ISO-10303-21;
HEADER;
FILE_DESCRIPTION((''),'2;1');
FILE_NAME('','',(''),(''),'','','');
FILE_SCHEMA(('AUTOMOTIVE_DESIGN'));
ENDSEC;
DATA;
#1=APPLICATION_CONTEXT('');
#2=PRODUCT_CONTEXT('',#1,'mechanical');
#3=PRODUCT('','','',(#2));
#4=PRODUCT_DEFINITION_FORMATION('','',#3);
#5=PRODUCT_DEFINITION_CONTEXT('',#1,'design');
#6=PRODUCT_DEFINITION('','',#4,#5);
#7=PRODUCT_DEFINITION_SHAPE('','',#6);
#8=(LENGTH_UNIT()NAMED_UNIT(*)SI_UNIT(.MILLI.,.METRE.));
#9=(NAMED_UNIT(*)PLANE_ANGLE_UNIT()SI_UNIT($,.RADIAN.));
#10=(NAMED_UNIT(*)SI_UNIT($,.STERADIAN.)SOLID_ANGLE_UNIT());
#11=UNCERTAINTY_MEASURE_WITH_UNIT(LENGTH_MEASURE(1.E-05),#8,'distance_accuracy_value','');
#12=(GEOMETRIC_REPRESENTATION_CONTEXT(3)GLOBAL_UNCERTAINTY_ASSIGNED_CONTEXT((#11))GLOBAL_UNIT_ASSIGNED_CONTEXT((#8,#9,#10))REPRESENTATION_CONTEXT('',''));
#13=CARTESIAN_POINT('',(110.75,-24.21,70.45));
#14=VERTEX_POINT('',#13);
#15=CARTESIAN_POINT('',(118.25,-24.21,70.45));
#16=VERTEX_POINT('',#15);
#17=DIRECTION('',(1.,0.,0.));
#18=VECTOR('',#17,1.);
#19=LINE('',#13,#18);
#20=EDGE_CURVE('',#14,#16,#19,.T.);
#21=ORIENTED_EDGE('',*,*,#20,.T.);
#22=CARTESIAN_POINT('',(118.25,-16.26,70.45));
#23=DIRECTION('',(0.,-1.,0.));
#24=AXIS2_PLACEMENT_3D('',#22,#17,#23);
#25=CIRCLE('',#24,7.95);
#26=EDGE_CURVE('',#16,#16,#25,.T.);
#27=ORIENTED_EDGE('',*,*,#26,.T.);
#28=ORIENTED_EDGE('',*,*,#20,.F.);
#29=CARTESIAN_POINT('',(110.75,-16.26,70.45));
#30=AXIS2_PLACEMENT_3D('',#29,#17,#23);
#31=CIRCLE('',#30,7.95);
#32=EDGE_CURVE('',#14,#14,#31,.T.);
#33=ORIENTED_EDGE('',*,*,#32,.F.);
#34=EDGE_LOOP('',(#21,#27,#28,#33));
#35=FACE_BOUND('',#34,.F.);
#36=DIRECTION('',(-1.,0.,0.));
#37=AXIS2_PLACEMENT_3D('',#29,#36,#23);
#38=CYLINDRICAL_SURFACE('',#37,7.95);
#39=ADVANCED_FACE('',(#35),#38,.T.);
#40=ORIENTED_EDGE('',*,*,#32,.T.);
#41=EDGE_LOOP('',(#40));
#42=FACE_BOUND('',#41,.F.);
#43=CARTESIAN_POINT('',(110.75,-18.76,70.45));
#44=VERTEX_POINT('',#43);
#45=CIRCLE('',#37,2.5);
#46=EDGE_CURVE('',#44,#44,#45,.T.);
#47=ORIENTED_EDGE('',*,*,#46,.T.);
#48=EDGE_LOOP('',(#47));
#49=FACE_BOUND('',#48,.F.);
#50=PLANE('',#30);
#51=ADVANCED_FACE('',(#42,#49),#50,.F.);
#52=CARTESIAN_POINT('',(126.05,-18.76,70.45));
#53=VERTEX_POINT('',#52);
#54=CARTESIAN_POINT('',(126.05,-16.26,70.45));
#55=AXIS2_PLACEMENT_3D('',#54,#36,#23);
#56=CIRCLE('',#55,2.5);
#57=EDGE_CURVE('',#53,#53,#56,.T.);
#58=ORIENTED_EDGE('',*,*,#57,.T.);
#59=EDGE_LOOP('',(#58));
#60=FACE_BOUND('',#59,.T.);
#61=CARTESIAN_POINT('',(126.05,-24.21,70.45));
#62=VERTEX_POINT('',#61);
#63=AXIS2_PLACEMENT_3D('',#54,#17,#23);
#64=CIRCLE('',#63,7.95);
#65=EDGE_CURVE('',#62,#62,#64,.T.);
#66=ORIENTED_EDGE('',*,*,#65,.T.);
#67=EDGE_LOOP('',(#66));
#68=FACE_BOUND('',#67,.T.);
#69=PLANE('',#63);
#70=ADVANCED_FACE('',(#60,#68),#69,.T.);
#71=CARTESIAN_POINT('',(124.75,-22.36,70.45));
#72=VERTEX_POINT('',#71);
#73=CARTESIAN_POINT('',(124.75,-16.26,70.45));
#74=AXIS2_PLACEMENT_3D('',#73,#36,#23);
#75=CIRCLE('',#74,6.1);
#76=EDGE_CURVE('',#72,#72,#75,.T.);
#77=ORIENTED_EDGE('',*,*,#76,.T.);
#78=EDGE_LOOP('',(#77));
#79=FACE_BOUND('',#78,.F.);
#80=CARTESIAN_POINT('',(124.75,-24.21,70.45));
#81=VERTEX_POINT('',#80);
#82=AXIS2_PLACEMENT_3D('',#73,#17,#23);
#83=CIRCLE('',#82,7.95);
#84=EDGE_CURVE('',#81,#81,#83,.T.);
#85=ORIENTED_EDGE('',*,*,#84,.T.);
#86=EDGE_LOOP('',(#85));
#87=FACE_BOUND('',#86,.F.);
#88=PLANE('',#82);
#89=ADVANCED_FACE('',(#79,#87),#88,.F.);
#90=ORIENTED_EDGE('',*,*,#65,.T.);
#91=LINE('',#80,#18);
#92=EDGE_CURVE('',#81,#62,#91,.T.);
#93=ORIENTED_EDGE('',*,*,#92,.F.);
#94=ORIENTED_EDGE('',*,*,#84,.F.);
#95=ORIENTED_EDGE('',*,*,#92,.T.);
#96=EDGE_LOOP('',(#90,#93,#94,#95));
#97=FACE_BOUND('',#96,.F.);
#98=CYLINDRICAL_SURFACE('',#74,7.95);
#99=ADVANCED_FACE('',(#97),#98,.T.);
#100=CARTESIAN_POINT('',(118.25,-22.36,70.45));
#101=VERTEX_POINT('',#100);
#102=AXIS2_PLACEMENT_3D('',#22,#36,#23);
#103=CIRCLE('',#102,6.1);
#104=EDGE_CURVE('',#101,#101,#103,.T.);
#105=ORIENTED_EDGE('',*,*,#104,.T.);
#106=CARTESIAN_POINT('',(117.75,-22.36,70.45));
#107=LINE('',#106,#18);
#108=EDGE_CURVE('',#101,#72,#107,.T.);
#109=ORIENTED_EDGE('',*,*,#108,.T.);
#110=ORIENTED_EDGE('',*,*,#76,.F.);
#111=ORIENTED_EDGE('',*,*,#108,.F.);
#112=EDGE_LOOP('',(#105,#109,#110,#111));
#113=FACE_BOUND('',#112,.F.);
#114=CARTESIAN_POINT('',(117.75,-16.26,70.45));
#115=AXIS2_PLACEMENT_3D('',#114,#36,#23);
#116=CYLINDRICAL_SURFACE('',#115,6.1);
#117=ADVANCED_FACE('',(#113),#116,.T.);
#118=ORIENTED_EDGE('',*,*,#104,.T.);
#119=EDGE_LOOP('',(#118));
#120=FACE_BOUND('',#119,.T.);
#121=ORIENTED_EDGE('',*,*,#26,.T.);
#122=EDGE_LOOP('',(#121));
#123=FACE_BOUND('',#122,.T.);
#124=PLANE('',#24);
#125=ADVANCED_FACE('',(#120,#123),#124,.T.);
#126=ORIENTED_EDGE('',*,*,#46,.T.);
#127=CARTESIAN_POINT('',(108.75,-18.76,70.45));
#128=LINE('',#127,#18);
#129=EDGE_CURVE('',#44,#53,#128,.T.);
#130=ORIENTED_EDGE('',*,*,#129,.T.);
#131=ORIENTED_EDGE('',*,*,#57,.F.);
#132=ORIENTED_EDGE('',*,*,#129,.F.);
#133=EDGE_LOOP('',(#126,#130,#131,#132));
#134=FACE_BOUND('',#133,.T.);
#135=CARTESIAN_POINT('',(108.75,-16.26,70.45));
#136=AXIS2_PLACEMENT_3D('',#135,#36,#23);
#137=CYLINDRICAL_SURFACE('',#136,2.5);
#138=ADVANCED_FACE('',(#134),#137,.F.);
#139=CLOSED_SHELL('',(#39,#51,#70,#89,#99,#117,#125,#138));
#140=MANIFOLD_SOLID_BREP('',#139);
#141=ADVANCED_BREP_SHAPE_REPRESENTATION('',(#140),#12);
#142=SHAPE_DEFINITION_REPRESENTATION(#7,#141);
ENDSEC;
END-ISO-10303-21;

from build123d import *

# Parameters (mm, degrees)
CYLINDER280_R          = 2.5
CYLINDER280_DEPTH      = 19.2
CYLINDER281_R          = 6.1
CYLINDER281_DEPTH      = 7.2
CYLINDER279_R          = 7.95
CYLINDER279_DEPTH      = 1.3
CYLINDER278_R          = 7.95
CYLINDER278_DEPTH      = 7.5
CUT199_ROLL_ANGLE      = -90
CUT199_PLACEMENT_ANGLE = -90


with BuildPart() as cylinder280:
    # Cylinder280 → Cylinder280 (new body)
    with BuildSketch(Plane.XY.offset(-2)):
        Circle(CYLINDER280_R)
    extrude(amount=CYLINDER280_DEPTH)


with BuildPart() as cylinder281:
    # Cylinder281 → Cylinder281 (new body)
    with BuildSketch(Plane.XY.offset(7)):
        Circle(CYLINDER281_R)
    extrude(amount=CYLINDER281_DEPTH)


with BuildPart() as cylinder279:
    # Cylinder279 → Cylinder279 (new body)
    with BuildSketch(Plane.XY.offset(14)):
        Circle(CYLINDER279_R)
    extrude(amount=CYLINDER279_DEPTH)


with BuildPart() as cut199:
    # Cylinder278 → Cylinder278 (new body)
    with BuildSketch(Plane.XY):
        Circle(CYLINDER278_R)
    extrude(amount=CYLINDER278_DEPTH)

    # Fusion107: union Cylinder281, Cylinder279
    add(cylinder281.part)
    add(cylinder279.part)

    # Cut199: cut Cylinder280
    add(cylinder280.part, mode=Mode.SUBTRACT)


with BuildPart() as cut199_1:
    # Cut199 roll: moved
    add(cut199.part.rotate(Axis((0, 0, 0), (1, 0, 0)), CUT199_ROLL_ANGLE))


with BuildPart() as cut199_2:
    # Cut199 placement: moved
    add(cut199_1.part.moved(Location((110.75, -16.26, 70.45))).rotate(Axis((110.75, -16.26, 70.45), (0, 0, 1)), CUT199_PLACEMENT_ANGLE))


solid = cut199_2.part
